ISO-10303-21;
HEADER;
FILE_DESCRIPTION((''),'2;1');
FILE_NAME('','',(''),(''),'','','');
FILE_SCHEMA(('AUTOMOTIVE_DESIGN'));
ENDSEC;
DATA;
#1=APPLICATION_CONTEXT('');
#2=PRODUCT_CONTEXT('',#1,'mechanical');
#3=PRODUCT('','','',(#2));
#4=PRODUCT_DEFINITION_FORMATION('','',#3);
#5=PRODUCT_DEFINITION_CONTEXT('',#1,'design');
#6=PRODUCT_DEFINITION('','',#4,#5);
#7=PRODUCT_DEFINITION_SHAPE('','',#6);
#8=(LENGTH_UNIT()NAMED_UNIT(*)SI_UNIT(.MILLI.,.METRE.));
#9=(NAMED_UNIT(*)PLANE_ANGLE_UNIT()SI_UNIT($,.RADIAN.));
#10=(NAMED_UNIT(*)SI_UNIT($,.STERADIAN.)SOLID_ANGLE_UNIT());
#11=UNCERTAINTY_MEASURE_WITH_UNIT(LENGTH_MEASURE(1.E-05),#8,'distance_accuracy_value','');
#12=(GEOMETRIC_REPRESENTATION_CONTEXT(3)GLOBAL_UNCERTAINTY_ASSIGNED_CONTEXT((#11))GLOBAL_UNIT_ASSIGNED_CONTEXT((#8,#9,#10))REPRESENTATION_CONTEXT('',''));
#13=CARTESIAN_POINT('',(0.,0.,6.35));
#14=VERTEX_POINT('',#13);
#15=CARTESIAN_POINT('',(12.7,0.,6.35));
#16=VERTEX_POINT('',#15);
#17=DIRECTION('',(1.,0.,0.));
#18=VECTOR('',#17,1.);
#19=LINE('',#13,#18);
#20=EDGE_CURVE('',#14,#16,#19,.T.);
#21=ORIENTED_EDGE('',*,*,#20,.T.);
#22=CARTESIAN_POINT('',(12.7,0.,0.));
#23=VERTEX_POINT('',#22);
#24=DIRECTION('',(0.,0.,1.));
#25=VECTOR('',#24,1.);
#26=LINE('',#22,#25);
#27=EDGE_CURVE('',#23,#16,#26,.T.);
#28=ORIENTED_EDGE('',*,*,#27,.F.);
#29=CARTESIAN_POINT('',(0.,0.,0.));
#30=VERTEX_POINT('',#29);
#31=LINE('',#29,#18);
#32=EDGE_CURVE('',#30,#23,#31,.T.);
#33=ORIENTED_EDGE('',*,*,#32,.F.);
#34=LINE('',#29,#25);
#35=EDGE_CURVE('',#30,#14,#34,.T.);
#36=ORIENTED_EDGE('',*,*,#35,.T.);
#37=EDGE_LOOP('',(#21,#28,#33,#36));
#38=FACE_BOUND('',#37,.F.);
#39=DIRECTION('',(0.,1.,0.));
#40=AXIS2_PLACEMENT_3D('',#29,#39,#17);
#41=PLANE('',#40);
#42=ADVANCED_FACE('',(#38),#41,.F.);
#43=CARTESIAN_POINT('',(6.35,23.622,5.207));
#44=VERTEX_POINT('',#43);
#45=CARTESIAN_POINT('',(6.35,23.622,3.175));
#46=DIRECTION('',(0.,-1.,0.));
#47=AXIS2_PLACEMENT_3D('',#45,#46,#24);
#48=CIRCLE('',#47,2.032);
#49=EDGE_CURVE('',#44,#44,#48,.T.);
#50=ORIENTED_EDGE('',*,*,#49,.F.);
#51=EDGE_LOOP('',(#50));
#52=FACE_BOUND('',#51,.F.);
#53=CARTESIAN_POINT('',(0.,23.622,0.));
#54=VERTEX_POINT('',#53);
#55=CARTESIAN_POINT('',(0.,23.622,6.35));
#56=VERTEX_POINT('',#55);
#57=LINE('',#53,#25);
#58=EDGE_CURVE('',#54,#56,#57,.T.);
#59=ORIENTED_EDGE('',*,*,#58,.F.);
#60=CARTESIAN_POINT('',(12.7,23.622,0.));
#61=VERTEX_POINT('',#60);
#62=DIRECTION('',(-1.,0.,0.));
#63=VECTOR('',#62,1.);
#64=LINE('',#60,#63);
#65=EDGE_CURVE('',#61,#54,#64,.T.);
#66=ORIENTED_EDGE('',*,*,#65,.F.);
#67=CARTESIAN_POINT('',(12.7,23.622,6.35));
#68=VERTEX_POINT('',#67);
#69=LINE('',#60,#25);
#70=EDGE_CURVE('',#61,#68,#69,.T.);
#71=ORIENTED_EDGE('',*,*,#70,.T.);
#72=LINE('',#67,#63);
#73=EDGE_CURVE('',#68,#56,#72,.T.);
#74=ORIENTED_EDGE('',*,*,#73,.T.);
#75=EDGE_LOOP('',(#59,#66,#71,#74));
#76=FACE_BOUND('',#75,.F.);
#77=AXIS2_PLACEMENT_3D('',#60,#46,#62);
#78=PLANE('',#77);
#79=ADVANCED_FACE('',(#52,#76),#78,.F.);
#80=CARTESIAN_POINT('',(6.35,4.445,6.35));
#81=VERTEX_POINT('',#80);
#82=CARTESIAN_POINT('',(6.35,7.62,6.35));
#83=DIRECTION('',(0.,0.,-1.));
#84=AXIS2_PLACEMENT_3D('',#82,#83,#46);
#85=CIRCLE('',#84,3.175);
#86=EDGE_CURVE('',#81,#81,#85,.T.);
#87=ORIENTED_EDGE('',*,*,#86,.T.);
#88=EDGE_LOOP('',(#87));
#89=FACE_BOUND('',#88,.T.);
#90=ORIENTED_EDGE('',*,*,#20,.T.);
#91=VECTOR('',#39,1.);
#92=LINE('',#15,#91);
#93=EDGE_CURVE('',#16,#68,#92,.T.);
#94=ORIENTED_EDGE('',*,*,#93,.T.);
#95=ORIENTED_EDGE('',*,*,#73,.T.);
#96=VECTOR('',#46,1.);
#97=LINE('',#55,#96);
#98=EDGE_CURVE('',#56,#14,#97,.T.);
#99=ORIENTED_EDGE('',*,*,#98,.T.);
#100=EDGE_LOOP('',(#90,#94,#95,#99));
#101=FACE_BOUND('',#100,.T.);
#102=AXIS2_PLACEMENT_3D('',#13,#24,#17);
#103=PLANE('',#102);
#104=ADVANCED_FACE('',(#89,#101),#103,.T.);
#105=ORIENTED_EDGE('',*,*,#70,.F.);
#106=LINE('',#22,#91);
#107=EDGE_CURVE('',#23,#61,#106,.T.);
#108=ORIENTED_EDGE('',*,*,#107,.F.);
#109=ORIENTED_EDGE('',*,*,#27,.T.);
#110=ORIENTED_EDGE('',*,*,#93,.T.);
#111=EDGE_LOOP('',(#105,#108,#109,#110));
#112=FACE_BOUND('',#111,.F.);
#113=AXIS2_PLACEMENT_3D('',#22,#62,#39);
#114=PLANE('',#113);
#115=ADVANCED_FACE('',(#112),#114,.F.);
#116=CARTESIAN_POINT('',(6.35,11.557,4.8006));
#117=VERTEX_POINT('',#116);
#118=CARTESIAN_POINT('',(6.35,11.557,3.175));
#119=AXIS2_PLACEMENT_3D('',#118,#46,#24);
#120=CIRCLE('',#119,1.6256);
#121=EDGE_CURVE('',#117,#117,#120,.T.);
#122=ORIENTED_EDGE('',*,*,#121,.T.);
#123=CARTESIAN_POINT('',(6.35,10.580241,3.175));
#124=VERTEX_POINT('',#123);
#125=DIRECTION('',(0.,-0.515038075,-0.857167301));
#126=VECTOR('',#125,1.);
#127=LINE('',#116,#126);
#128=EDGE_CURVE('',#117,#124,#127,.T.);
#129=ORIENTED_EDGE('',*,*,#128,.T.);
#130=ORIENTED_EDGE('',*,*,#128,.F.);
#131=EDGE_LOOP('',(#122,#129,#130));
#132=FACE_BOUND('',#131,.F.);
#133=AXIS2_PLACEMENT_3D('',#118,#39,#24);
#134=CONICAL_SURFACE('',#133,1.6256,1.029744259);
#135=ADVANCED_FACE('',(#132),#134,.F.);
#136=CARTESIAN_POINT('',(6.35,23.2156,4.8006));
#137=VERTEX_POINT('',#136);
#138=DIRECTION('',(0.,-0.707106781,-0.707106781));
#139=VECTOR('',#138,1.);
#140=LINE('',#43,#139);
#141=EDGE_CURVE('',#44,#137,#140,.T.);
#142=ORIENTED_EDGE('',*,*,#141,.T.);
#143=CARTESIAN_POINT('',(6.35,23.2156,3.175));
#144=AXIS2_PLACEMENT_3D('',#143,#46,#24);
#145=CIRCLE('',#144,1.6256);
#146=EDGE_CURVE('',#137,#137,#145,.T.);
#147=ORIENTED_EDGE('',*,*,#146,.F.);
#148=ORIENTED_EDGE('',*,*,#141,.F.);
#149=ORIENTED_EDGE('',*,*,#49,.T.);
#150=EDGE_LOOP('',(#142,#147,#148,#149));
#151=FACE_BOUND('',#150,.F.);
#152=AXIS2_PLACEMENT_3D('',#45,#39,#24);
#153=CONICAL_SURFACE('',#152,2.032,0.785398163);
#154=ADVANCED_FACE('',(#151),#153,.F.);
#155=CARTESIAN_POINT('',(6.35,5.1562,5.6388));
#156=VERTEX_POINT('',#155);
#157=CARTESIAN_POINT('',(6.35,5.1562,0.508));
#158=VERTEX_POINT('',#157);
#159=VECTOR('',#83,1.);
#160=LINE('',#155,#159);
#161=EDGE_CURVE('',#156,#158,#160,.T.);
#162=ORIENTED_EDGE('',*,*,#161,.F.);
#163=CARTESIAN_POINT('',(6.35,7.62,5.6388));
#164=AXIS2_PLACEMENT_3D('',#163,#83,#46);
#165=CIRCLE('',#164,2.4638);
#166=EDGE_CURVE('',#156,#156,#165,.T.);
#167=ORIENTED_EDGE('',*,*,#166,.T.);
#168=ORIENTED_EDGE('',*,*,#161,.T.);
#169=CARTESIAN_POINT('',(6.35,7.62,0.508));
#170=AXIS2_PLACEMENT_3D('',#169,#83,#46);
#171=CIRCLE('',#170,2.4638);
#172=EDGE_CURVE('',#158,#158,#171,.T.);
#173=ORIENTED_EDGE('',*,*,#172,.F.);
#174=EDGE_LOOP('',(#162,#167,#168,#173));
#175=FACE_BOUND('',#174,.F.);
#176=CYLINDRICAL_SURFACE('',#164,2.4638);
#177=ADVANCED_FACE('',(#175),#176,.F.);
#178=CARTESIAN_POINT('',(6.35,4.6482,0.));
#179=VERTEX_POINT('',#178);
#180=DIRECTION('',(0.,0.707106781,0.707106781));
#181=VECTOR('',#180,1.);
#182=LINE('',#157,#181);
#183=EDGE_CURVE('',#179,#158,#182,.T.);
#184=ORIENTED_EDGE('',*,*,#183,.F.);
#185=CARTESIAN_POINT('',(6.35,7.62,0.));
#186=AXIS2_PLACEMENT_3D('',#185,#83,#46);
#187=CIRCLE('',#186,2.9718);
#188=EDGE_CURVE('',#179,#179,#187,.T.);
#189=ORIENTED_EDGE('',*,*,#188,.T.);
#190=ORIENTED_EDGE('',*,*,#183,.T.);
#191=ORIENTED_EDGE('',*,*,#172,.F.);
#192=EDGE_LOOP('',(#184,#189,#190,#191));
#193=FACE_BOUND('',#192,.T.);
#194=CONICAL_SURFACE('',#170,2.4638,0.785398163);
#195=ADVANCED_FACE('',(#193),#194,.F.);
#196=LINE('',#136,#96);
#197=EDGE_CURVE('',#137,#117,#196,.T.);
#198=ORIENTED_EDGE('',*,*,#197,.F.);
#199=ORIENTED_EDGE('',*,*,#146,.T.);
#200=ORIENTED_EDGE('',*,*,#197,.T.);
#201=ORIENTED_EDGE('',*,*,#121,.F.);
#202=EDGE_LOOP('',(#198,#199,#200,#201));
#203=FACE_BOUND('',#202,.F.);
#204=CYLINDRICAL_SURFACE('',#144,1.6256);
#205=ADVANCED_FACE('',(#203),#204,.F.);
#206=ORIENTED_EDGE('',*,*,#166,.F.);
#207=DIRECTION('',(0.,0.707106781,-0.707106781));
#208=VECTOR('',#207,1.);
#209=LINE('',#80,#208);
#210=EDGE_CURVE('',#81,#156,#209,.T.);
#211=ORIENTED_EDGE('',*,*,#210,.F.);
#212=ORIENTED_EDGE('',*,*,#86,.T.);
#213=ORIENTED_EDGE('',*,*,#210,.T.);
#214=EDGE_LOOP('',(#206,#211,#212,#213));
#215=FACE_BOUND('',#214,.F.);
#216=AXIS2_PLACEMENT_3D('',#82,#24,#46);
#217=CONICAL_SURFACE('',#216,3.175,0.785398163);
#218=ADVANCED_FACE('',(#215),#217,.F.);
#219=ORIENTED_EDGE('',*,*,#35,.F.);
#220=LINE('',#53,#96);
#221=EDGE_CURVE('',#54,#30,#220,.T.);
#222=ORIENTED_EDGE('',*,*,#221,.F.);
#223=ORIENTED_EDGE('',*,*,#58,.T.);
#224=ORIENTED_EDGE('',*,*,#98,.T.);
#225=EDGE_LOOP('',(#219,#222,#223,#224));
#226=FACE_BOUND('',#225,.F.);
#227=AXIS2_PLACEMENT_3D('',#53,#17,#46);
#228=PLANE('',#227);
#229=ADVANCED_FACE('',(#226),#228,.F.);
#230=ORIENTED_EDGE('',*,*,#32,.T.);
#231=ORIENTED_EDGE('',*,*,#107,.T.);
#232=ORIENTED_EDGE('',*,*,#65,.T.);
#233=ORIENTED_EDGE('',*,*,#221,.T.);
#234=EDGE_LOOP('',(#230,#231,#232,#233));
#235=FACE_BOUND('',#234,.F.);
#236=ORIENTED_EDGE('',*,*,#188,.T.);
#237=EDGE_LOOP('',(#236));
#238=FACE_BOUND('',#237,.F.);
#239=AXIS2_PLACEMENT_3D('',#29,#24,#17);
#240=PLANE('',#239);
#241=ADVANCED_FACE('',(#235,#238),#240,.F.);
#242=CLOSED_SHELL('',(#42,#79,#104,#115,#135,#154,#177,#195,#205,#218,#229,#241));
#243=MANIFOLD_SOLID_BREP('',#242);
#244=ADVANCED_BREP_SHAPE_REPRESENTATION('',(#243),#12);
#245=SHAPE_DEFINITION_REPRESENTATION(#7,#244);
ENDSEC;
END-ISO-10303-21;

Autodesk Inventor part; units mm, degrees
ref_plane "YZ Plane" through (0, 0, 0) normal (1, 0, 0) x (0, 1, 0)
ref_plane "XZ Plane" through (0, 0, 0) normal (0, 1, 0) x (-1, 0, 0)
ref_plane "XY Plane" through (0, 0, 0) normal (0, 0, 1) x (1, 0, 0)
sketch "Sketch1" plane through (0, 0, 0) normal (0, 0, 1) x (1, 0, 0)
  line L0 (0, 0) -> (12.7, 0)
  line L1 (12.7, 0) -> (12.7, 23.622)
  line L2 (12.7, 23.622) -> (0, 23.622)
  line L3 (0, 23.622) -> (0, 0)
  dimension "d0" = 12.7
  dimension "d1" = 23.622
extrude "Extrusion1" add sketch "Sketch1" along normal blind 6.35
sketch "Sketch2" plane through (0, 0, 6.35) normal (0, 0, 1) x (1, 0, 0)
  line L0 (12.7, 0) -> (12.7, 23.622) projected
  line L1 (0, 0) -> (12.7, 0) projected
  point P0 (6.35, 7.62)
  dimension "d4" = 6.35
  dimension "d5" = 7.62
hole "6 MM Hole" at (6.35, 7.62, 6.35) direction (0, 0, -1) diameter 4.9276 end through all countersink diameter 6.35 countersink angle 90
sketch "Sketch3" plane through (0, 23.622, 0) normal (0, 1, 0) x (1, 0, 0)
  line L0 (12.7, 0) -> (0, 0) projected
  line L1 (0, 0) -> (0, -6.35) projected
  point P0 (6.35, -3.175)
  dimension "d13" = 3.175
  dimension "d14" = 6.35
hole "Hole2" at (6.35, 23.622, 3.175) direction (0, -1, 0) diameter 3.2512 depth 12.065 tip angle 118 countersink diameter 4.064 countersink angle 90
chamfer "Chamfer1" distance 0.508 angle 45 1 edges at (6.35, 10.0838, 0)
properties part number "Rear Leg"
